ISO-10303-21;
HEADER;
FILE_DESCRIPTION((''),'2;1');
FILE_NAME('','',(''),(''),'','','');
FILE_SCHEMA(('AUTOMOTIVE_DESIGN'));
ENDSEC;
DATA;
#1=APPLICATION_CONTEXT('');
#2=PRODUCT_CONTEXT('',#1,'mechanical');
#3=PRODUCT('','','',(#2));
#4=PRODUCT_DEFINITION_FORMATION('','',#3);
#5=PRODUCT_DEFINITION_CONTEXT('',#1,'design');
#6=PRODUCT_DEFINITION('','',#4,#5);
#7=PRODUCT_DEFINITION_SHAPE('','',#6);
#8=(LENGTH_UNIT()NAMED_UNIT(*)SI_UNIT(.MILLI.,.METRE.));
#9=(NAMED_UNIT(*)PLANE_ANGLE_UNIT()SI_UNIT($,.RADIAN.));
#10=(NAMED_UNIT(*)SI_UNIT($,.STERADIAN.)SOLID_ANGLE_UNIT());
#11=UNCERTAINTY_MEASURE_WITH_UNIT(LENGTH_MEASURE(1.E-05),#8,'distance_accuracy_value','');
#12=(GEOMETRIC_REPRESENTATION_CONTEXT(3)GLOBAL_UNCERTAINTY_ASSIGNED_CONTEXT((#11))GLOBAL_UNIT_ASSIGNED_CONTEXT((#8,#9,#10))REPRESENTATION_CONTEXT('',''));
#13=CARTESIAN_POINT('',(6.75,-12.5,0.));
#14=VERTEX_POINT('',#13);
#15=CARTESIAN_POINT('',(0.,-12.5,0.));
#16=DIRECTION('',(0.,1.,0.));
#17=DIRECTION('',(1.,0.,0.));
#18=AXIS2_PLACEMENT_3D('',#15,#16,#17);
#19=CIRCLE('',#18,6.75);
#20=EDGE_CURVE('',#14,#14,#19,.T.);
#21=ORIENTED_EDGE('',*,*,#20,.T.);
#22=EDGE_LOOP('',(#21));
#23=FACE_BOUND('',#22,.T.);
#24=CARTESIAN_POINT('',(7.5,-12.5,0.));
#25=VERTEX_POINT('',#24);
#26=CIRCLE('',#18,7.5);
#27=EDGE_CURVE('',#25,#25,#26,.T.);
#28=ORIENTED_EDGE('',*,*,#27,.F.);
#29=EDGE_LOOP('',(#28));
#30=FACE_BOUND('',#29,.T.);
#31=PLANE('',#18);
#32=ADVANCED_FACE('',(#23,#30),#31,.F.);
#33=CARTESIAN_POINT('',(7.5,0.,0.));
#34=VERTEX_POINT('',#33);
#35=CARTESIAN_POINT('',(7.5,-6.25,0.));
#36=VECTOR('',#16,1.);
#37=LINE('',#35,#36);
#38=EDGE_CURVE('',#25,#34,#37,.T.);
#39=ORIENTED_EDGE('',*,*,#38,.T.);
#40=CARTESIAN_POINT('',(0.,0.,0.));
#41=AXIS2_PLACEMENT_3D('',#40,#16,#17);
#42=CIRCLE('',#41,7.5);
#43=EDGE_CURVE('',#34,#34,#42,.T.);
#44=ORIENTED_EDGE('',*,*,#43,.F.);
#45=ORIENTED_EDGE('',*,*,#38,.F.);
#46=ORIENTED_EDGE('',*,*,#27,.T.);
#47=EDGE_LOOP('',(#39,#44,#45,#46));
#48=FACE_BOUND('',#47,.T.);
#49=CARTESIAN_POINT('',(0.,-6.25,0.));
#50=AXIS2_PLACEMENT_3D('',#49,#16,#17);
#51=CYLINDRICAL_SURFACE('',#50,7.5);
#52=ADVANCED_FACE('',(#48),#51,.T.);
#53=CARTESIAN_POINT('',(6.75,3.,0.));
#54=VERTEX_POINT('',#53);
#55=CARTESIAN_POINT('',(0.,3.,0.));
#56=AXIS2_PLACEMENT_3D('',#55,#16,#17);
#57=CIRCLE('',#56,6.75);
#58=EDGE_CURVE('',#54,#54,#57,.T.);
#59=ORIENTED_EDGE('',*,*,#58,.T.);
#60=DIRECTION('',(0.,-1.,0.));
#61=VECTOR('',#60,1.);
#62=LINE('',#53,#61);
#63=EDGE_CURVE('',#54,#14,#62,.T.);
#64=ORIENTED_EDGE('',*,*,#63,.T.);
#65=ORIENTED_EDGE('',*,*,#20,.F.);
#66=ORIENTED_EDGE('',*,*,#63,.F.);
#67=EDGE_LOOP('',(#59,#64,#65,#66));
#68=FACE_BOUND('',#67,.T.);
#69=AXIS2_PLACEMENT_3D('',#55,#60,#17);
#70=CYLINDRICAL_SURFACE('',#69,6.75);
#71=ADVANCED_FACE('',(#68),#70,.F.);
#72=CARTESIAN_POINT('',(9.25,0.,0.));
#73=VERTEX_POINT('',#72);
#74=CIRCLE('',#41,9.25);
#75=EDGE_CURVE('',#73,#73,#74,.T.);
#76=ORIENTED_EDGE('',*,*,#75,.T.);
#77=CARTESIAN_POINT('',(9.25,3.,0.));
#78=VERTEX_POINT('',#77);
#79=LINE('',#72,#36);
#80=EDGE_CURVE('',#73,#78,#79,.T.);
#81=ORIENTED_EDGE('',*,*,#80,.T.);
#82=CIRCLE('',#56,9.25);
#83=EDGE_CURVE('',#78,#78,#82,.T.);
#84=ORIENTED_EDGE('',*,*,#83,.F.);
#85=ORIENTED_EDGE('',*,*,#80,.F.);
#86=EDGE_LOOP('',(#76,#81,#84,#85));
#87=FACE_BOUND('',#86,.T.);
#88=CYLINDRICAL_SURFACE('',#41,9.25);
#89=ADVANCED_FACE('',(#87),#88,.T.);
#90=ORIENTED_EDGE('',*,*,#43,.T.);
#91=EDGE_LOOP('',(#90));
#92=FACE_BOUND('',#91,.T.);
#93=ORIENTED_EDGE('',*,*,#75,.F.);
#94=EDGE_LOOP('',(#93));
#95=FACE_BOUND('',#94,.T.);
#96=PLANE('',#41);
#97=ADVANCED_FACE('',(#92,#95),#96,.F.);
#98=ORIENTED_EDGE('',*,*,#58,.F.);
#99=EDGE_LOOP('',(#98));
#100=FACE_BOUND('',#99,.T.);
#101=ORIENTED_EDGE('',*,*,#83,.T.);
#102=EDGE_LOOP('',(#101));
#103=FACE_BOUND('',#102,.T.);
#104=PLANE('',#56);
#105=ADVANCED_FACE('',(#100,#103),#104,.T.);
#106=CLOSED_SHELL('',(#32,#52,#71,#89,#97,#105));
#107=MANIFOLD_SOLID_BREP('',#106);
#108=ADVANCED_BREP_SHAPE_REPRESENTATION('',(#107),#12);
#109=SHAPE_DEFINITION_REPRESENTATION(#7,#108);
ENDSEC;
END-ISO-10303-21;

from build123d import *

# Parameters (mm, degrees)
F0_W = 0.75
F0_H = 12.5


with BuildPart() as f1:
    # F0 (on Top) → F1 (revolve)
    with BuildSketch(Plane.XY):
        Polygon((6.75, 3), (6.75, 0), (7.5, 0), (9.25, 0), (9.25, 3), align=None)
        with Locations((7.125, -6.25)):
            Rectangle(F0_W, F0_H)
    revolve(axis=Axis((0, -6.25, 0), (0, 1, 0)))


solid = f1.part
